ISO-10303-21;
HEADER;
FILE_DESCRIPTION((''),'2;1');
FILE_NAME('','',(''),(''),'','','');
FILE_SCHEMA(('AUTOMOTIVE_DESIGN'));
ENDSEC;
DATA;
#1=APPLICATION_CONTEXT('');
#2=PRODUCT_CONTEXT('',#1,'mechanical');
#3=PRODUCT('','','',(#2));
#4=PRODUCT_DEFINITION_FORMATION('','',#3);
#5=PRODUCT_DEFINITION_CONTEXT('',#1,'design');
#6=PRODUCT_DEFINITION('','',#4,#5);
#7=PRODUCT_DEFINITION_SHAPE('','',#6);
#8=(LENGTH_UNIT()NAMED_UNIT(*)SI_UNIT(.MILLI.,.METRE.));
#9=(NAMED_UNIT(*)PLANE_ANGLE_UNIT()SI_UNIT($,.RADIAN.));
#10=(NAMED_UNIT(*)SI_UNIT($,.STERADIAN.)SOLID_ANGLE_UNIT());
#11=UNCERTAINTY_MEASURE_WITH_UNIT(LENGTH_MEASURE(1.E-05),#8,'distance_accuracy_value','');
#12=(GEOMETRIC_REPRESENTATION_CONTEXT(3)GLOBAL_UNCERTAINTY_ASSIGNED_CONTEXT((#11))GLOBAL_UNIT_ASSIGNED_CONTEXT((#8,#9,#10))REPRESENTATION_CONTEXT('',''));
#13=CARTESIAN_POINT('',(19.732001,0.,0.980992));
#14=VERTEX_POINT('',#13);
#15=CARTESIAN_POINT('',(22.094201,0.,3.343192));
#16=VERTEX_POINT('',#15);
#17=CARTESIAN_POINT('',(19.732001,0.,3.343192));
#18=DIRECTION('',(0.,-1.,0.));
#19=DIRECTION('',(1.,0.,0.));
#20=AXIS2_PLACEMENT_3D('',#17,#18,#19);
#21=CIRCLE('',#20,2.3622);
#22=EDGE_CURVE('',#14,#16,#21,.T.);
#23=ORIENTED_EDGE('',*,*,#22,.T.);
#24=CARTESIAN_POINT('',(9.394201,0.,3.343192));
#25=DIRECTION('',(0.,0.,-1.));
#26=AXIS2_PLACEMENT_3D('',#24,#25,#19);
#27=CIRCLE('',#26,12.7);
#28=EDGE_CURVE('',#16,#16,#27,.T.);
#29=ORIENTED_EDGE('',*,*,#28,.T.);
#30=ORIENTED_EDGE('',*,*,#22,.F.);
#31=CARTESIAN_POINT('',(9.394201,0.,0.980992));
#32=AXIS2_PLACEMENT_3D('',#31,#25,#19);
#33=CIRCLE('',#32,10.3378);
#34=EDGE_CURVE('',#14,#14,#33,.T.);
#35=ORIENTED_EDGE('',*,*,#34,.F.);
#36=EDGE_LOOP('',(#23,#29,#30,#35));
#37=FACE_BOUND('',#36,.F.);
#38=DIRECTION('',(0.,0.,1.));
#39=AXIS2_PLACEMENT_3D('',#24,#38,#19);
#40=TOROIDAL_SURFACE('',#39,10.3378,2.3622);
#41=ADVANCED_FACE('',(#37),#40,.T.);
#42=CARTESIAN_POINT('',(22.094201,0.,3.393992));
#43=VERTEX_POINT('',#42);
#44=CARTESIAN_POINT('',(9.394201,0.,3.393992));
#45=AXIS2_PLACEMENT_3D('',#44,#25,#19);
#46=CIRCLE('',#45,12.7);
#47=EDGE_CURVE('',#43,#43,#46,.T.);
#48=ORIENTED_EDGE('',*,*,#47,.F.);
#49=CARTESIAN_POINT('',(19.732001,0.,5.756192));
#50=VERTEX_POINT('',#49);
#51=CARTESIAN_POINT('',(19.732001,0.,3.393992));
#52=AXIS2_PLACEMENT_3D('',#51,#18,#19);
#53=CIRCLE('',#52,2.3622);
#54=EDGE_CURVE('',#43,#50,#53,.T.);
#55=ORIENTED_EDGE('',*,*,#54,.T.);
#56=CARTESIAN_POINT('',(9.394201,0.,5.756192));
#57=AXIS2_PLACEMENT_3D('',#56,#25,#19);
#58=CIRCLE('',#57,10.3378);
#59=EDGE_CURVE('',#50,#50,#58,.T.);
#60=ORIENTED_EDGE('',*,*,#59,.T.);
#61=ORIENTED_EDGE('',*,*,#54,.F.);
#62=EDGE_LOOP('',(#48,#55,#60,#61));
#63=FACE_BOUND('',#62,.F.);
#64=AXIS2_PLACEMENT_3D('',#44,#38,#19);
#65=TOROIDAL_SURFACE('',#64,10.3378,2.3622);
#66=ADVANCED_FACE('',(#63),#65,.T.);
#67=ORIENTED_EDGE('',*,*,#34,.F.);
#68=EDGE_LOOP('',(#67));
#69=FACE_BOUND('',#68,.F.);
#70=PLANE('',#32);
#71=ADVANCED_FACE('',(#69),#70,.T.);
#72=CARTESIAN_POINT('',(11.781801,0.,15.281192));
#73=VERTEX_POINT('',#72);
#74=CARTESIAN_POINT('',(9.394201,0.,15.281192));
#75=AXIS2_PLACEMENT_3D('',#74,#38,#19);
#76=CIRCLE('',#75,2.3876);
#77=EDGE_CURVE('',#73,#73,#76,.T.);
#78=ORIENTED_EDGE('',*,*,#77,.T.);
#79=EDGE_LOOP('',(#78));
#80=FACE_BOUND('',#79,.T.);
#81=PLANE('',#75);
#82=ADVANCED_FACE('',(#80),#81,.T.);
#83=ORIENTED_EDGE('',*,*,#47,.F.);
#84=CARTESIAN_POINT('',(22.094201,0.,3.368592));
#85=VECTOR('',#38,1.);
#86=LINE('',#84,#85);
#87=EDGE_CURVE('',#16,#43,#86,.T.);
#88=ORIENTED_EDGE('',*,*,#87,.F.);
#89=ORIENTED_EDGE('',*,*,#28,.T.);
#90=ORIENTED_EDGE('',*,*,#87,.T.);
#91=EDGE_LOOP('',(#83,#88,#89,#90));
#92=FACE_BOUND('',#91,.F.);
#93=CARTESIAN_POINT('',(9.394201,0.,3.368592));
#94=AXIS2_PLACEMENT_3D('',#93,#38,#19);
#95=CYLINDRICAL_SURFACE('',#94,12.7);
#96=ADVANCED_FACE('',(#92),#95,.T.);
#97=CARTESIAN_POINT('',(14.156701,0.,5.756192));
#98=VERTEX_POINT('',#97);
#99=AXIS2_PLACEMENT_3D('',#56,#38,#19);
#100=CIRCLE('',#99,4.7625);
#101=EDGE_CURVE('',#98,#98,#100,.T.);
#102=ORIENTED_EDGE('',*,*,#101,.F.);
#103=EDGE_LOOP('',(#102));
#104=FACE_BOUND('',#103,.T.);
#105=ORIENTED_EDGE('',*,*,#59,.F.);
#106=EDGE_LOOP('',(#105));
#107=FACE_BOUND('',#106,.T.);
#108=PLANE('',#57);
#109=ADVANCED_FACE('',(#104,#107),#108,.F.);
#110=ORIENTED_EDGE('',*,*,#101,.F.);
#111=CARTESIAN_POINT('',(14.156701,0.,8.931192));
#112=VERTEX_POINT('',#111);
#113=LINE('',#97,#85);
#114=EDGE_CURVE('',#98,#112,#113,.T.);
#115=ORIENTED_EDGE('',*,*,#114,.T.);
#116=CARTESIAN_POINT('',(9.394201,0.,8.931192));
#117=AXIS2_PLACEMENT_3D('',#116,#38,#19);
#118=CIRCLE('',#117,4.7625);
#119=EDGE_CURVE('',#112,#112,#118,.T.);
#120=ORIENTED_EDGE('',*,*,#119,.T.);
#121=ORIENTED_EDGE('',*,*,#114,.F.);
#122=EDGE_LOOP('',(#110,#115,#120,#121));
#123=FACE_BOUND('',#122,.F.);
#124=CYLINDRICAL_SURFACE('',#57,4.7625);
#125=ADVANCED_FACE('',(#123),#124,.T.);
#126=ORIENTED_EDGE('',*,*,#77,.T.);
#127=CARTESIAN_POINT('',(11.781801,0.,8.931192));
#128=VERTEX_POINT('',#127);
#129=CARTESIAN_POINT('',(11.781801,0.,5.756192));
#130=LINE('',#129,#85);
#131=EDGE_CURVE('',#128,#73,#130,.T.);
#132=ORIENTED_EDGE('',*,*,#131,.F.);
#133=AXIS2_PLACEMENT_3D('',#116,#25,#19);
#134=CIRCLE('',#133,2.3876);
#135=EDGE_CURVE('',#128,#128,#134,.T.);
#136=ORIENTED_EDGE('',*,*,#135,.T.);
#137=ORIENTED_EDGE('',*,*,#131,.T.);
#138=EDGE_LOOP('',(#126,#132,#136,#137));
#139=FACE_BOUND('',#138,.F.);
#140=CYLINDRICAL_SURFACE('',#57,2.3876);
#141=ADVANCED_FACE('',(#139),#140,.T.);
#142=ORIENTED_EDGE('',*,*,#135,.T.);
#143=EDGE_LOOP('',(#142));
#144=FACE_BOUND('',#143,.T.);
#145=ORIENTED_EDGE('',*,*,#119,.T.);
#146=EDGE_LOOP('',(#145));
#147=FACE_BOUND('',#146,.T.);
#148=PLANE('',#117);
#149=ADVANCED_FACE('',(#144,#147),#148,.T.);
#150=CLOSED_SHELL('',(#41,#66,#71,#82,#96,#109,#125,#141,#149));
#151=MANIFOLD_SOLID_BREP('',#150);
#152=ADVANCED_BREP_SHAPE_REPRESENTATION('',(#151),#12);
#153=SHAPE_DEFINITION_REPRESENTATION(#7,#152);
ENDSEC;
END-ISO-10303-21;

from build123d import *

# Parameters (mm, degrees)
F0_W     = 12.7
F0_H     = 4.7752
F2_R     = 2.3622
F3_R     = 4.7625
F4_DEPTH = 3.175
F5_R     = 2.3876
F6_DEPTH = 9.525


with BuildPart() as f1:
    # F0 (on Front) → F1 (revolve)
    with BuildSketch(Plane.XZ):
        with Locations((15.7442009076, 3.3685917145)):
            Rectangle(F0_W, F0_H)
    revolve(axis=Axis((9.3942009076, 0, 3.3685917145), (0, 0, -1)))

    # F2
    f2_edges = [f1.edges().sort_by_distance(p)[0] for p in [
        (-3.305799, 0, 5.756192),
        (-3.305799, 0, 0.980992),
    ]]
    fillet(f2_edges, radius=F2_R)

    # F3 (on face) → F4 (join)
    with BuildSketch(Plane.XY.offset(5.7561917145)):
        with Locations((9.3942009076, 0)):
            Circle(F3_R)
    extrude(amount=F4_DEPTH)

    # F5 (on face) → F6 (join)
    with BuildSketch(Plane.XY.offset(5.7561917145)):
        with Locations((9.3942009076, 0)):
            Circle(F5_R)
    extrude(amount=F6_DEPTH)


solid = f1.part
